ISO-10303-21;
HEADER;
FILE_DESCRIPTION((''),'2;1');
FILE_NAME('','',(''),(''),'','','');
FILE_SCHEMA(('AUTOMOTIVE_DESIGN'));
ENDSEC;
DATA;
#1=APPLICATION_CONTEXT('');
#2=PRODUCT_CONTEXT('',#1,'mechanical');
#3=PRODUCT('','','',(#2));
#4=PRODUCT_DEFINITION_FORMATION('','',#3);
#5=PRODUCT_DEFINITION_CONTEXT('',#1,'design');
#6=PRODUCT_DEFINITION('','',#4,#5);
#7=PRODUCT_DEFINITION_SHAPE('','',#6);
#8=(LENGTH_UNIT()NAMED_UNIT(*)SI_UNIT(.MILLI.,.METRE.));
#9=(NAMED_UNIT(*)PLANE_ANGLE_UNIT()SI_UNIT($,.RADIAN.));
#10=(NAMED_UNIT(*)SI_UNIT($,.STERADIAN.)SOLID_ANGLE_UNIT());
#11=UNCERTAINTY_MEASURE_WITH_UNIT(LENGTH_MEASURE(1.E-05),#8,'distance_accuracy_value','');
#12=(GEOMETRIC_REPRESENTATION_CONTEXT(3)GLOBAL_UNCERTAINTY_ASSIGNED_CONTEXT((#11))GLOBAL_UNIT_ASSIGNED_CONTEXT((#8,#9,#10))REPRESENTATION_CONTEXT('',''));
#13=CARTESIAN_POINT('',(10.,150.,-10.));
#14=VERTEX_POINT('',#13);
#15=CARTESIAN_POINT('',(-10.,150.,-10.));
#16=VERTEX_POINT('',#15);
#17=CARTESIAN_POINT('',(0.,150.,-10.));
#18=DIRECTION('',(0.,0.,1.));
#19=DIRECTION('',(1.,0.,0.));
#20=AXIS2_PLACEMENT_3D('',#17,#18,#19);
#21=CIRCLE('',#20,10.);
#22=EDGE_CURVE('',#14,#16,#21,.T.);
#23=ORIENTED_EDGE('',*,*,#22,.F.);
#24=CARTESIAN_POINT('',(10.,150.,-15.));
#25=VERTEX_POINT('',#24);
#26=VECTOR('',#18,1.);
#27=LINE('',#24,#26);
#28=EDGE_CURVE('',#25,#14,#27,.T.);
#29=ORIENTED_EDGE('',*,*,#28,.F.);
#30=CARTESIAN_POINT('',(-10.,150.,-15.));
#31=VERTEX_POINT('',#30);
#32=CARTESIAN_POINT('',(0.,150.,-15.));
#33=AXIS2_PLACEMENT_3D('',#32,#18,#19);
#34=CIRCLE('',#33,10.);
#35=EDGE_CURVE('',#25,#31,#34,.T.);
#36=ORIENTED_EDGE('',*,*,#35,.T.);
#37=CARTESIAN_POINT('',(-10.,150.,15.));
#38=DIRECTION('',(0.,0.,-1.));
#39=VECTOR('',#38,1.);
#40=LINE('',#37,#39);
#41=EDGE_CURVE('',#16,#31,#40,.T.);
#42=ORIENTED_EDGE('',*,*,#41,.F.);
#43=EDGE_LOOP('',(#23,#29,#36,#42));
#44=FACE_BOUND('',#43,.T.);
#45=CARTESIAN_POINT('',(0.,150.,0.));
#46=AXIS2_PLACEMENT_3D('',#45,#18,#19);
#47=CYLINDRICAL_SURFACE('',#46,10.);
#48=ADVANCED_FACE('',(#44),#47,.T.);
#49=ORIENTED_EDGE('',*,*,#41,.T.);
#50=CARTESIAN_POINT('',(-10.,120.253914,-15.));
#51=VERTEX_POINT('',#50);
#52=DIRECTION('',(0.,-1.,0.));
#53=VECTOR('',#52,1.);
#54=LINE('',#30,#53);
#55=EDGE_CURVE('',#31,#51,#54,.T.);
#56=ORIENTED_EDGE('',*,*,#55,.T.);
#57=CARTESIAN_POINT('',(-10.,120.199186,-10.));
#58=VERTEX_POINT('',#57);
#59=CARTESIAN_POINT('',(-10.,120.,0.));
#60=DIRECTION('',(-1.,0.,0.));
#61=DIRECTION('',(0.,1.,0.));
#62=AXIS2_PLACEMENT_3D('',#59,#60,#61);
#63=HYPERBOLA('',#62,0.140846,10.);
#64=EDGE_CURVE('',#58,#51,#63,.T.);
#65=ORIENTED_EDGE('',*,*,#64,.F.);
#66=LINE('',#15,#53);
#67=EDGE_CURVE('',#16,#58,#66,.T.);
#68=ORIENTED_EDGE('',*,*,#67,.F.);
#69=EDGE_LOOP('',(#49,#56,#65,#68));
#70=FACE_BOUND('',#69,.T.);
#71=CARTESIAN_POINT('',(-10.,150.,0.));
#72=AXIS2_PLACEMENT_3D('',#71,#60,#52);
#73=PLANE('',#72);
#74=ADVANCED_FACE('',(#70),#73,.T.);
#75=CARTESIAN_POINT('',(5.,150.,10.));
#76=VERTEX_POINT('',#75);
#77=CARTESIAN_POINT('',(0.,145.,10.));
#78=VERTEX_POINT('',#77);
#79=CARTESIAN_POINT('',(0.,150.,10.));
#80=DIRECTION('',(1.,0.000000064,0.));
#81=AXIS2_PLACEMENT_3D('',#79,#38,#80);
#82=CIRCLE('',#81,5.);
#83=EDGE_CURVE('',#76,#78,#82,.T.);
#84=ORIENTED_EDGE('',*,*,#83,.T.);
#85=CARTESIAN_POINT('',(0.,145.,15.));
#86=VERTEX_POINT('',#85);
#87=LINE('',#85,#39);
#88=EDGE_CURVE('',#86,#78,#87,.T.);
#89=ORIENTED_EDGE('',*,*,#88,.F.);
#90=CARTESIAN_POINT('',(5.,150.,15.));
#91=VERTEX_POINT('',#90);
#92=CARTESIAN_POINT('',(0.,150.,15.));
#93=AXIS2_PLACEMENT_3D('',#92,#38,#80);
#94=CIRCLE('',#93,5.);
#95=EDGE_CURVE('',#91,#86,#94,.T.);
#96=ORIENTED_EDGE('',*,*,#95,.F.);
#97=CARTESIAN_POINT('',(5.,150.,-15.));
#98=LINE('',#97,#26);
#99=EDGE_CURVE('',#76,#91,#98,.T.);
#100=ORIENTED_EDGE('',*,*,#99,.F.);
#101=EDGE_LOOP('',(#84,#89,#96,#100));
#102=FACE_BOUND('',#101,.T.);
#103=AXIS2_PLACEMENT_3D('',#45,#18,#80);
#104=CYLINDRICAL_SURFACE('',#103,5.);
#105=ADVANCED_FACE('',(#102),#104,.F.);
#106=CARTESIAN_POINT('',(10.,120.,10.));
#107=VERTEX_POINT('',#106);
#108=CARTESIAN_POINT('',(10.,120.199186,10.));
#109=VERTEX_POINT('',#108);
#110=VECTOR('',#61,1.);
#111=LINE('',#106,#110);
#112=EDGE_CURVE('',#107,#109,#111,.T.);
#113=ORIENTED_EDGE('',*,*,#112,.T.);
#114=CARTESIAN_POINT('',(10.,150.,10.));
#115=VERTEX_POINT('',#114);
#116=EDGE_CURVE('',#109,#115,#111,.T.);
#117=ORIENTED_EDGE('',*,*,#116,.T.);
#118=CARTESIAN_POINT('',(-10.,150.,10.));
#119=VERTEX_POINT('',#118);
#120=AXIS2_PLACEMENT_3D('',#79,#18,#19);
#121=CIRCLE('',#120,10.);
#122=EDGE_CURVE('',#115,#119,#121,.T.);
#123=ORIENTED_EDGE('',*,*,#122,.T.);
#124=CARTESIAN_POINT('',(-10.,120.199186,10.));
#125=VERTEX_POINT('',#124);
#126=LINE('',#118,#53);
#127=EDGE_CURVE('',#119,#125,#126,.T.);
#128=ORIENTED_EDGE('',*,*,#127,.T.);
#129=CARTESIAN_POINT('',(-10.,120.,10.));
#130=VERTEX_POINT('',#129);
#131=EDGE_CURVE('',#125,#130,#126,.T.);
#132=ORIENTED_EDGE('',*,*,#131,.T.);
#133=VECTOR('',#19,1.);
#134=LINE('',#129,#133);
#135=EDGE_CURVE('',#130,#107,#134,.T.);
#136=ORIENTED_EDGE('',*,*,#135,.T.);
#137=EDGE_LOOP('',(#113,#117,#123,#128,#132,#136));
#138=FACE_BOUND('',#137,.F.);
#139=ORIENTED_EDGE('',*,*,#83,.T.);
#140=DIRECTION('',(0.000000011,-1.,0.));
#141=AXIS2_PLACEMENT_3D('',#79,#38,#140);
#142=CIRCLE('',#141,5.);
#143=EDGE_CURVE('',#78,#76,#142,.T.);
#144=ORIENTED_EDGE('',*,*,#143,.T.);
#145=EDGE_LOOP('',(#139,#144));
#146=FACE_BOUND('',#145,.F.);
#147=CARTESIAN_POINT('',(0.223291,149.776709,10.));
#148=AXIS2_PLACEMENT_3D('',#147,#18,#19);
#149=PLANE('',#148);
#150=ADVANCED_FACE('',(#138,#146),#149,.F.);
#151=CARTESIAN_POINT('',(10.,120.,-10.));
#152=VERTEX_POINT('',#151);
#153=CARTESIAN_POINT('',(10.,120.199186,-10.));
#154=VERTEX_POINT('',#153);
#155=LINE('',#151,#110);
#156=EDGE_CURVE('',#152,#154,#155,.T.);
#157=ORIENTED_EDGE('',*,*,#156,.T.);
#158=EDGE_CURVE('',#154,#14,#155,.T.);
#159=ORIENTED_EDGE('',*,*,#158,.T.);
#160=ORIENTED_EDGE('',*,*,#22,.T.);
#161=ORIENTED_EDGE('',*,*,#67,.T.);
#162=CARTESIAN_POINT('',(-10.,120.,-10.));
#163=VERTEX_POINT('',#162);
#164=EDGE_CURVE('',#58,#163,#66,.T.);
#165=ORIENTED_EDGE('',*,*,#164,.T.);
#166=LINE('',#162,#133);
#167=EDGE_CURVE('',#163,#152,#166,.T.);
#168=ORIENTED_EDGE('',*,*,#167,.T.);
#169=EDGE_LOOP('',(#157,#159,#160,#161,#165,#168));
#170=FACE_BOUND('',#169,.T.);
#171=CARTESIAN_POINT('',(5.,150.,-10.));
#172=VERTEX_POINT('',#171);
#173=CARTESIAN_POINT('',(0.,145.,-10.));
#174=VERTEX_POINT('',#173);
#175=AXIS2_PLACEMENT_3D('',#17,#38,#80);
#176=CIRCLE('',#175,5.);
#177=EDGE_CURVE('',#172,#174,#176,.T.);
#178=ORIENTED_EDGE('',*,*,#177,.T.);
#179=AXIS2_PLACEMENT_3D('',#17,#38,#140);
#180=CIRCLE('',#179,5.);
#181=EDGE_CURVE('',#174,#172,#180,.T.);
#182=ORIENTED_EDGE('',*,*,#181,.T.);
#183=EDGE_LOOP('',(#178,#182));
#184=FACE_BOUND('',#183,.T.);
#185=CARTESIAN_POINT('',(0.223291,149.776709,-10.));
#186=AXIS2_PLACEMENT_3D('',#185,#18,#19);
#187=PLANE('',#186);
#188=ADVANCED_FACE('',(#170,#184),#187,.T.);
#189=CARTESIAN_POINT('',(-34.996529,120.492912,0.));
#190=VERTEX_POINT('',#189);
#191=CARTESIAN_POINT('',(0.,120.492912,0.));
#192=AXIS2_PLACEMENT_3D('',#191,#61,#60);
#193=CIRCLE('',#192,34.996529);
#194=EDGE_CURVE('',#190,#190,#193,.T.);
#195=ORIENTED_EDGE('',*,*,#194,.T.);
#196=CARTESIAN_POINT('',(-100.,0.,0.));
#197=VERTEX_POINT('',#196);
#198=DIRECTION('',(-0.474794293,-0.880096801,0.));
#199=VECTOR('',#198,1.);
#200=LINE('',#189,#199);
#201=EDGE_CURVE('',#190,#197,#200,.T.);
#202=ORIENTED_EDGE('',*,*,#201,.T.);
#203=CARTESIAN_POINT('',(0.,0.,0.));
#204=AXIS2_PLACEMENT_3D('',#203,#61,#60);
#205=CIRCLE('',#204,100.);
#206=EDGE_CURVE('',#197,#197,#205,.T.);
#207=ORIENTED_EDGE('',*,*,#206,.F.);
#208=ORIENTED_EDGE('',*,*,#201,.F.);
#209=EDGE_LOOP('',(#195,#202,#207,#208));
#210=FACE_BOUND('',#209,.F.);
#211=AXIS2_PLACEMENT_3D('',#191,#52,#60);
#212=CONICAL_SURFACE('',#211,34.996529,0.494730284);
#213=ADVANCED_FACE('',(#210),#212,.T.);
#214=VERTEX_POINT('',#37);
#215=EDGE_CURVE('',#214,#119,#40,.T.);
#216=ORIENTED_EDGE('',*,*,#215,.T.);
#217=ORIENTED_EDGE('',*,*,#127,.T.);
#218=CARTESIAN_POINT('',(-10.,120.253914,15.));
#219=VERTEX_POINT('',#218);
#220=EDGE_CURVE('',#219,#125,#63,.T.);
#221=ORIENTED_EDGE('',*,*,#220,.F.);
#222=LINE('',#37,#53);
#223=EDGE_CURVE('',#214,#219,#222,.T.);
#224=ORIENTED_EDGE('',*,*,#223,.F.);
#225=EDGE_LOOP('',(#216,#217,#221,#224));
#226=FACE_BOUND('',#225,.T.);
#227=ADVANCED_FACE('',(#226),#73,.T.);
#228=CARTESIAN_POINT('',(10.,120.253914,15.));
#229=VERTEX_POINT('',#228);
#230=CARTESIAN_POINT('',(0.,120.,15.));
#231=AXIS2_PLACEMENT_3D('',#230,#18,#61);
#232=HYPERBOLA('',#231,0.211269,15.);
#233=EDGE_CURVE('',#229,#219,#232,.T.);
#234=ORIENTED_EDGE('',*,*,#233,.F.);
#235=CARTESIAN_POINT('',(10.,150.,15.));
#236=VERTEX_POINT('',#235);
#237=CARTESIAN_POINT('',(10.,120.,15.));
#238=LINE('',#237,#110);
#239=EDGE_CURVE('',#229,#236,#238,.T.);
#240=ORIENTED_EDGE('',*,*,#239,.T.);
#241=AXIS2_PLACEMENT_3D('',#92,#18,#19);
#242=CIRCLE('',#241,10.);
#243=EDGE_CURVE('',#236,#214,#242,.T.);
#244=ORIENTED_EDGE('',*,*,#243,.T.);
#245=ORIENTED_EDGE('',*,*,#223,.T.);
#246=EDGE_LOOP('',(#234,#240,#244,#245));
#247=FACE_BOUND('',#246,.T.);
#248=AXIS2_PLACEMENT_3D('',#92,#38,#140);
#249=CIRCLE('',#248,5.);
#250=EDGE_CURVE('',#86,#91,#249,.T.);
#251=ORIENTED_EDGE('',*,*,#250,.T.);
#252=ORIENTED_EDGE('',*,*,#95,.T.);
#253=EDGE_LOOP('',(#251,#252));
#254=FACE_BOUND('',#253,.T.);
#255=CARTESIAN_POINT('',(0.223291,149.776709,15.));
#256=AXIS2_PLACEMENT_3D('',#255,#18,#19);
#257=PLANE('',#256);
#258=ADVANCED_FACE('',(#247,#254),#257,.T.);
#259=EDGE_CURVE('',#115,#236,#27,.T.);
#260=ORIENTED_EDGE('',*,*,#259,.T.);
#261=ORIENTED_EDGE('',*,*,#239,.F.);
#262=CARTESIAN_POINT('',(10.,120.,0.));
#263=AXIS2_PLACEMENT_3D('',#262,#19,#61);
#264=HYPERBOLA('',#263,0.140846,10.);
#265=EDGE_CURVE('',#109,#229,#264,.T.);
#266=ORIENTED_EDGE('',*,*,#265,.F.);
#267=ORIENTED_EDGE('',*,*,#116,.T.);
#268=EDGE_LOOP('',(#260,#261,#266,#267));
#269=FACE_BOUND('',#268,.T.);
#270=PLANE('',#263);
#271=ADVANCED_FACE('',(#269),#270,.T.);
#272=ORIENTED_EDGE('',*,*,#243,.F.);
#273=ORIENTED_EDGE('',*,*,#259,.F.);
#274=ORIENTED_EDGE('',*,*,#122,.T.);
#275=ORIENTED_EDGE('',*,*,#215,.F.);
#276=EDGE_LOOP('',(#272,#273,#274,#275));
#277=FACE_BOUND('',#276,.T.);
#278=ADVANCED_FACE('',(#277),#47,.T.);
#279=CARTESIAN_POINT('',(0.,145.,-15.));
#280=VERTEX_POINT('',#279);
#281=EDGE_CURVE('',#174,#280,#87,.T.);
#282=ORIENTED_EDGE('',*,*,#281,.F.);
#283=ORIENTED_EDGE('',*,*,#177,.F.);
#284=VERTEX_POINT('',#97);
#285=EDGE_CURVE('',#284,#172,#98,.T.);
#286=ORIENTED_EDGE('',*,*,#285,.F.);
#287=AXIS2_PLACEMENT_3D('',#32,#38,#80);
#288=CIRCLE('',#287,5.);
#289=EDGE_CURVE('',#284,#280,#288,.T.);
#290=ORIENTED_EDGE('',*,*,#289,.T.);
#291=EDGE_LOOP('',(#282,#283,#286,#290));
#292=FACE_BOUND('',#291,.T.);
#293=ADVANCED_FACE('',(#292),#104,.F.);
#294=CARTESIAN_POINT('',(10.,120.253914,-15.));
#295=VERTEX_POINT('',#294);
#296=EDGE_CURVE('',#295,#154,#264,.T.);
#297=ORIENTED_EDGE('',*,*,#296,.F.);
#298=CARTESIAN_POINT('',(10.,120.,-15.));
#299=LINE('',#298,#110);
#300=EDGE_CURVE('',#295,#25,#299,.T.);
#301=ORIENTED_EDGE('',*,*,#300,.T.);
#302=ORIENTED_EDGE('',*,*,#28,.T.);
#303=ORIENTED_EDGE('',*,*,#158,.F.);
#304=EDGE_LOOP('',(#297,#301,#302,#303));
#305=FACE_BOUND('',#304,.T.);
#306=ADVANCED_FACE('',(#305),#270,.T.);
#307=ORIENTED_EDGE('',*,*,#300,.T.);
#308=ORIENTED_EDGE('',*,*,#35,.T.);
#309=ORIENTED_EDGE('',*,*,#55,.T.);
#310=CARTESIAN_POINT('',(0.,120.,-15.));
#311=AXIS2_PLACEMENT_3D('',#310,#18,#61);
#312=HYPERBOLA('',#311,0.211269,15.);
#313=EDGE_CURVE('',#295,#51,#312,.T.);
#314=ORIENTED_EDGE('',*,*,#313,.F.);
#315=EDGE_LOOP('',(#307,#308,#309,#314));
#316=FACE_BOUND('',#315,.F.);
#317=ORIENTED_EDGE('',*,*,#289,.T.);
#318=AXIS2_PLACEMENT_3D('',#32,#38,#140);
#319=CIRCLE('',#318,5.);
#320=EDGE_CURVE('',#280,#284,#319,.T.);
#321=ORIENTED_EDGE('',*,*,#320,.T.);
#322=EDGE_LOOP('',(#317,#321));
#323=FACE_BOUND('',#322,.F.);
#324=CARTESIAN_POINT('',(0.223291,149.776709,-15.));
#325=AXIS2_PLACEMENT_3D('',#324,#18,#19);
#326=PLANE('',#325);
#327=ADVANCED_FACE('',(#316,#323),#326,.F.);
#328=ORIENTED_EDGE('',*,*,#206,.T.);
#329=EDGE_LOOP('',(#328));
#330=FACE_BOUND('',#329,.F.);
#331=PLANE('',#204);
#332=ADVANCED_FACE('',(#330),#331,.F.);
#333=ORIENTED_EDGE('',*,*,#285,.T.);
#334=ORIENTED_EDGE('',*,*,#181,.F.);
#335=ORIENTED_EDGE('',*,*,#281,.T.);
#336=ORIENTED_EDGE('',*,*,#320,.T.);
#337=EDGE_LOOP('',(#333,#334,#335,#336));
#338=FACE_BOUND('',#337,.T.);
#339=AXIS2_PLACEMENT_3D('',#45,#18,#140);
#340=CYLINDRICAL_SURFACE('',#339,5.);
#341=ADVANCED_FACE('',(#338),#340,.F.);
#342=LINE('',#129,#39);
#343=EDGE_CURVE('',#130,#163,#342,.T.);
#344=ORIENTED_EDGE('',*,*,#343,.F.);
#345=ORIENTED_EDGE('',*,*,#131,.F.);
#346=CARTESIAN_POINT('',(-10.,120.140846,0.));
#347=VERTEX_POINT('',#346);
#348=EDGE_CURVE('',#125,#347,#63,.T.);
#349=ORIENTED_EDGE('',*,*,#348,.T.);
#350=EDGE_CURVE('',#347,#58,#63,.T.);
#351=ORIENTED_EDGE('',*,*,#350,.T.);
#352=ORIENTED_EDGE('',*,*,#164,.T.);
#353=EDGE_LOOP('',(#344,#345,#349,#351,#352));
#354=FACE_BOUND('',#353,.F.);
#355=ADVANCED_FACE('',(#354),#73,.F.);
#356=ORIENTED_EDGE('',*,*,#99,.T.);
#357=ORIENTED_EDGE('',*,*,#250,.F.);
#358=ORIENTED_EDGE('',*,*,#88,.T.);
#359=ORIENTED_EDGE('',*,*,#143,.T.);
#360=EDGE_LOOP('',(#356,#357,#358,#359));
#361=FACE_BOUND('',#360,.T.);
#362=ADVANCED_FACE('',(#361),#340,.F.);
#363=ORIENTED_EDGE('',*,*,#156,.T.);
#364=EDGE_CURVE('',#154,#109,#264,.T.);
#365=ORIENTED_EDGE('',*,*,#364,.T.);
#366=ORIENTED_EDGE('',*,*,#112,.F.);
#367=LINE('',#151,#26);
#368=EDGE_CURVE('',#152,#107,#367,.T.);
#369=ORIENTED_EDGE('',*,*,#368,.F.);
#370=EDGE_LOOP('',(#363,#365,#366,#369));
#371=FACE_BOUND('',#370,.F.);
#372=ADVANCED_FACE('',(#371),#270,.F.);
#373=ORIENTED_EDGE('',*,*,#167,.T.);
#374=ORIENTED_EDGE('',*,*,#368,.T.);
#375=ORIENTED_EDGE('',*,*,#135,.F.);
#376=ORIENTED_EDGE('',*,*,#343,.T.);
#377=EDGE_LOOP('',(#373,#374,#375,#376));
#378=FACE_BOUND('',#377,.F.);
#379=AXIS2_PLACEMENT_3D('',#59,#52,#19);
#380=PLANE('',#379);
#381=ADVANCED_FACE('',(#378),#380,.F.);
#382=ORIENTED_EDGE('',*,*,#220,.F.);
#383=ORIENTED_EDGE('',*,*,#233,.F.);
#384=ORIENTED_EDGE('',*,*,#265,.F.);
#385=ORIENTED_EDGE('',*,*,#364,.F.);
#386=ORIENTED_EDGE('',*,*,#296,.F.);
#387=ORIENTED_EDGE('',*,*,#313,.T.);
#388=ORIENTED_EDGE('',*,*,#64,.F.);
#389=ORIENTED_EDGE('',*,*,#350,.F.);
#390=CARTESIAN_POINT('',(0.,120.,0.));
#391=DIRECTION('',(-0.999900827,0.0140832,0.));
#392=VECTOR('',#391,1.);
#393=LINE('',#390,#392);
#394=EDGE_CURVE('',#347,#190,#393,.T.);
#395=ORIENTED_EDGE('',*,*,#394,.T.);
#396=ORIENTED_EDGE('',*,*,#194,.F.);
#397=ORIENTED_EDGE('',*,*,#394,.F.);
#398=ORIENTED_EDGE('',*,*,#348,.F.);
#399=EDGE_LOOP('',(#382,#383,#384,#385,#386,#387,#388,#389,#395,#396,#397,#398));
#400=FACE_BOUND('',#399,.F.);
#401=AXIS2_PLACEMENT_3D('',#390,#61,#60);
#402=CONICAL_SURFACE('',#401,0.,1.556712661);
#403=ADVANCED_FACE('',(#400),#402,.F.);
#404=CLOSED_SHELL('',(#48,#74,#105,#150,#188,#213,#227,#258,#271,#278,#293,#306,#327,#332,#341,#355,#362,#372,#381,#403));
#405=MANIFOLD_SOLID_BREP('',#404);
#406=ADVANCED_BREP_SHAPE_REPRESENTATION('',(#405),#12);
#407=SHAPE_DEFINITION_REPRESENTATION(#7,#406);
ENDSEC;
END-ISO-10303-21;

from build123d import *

# Parameters (mm, degrees)
F3_DEPTH = 15
F5_DEPTH = 10


with BuildPart() as f1:
    # F0 (on Top) → F1 (revolve)
    with BuildSketch(Plane.XY):
        Polygon((-100, 0), (0, 0), (0, 120), (-34.996529, 120.492912), align=None)
    revolve(axis=Axis((0, 60, 0), (0, 1, 0)))

    # F2 (on Top) → F3 (join, symmetric)
    with BuildSketch(Plane.XY):
        with BuildLine():
            ThreePointArc((5, 150), (-3.535534, 153.535534), (0, 145))
            ThreePointArc((0, 145), (3.535534, 146.464466), (5, 150))
        make_face()
        with BuildLine():
            Line((-10, 120), (0, 120))
            Line((0, 120), (10, 120))
            Line((10, 120), (10, 150))
            ThreePointArc((10, 150), (0, 160), (-10, 150))
            Line((-10, 150), (-10, 120))
        make_face()
        with BuildLine():
            ThreePointArc((5, 150), (3.535534, 146.464466), (0, 145))
            ThreePointArc((0, 145), (-3.535534, 153.535534), (5, 150))
        make_face(mode=Mode.SUBTRACT)
    extrude(amount=F3_DEPTH, both=True)

    # F4 (on Top) → F5 (cut, symmetric)
    with BuildSketch(Plane.XY):
        with BuildLine():
            ThreePointArc((5, 150), (-3.535534, 153.535534), (0, 145))
            ThreePointArc((0, 145), (3.535534, 146.464466), (5, 150))
        make_face()
        with BuildLine():
            Line((-10, 120), (0, 120))
            Line((0, 120), (10, 120))
            Line((10, 120), (10, 150))
            ThreePointArc((10, 150), (0, 160), (-10, 150))
            Line((-10, 150), (-10, 120))
        make_face()
        with BuildLine():
            ThreePointArc((5, 150), (3.535534, 146.464466), (0, 145))
            ThreePointArc((0, 145), (-3.535534, 153.535534), (5, 150))
        make_face(mode=Mode.SUBTRACT)
    extrude(amount=F5_DEPTH, both=True, mode=Mode.SUBTRACT)


solid = f1.part
